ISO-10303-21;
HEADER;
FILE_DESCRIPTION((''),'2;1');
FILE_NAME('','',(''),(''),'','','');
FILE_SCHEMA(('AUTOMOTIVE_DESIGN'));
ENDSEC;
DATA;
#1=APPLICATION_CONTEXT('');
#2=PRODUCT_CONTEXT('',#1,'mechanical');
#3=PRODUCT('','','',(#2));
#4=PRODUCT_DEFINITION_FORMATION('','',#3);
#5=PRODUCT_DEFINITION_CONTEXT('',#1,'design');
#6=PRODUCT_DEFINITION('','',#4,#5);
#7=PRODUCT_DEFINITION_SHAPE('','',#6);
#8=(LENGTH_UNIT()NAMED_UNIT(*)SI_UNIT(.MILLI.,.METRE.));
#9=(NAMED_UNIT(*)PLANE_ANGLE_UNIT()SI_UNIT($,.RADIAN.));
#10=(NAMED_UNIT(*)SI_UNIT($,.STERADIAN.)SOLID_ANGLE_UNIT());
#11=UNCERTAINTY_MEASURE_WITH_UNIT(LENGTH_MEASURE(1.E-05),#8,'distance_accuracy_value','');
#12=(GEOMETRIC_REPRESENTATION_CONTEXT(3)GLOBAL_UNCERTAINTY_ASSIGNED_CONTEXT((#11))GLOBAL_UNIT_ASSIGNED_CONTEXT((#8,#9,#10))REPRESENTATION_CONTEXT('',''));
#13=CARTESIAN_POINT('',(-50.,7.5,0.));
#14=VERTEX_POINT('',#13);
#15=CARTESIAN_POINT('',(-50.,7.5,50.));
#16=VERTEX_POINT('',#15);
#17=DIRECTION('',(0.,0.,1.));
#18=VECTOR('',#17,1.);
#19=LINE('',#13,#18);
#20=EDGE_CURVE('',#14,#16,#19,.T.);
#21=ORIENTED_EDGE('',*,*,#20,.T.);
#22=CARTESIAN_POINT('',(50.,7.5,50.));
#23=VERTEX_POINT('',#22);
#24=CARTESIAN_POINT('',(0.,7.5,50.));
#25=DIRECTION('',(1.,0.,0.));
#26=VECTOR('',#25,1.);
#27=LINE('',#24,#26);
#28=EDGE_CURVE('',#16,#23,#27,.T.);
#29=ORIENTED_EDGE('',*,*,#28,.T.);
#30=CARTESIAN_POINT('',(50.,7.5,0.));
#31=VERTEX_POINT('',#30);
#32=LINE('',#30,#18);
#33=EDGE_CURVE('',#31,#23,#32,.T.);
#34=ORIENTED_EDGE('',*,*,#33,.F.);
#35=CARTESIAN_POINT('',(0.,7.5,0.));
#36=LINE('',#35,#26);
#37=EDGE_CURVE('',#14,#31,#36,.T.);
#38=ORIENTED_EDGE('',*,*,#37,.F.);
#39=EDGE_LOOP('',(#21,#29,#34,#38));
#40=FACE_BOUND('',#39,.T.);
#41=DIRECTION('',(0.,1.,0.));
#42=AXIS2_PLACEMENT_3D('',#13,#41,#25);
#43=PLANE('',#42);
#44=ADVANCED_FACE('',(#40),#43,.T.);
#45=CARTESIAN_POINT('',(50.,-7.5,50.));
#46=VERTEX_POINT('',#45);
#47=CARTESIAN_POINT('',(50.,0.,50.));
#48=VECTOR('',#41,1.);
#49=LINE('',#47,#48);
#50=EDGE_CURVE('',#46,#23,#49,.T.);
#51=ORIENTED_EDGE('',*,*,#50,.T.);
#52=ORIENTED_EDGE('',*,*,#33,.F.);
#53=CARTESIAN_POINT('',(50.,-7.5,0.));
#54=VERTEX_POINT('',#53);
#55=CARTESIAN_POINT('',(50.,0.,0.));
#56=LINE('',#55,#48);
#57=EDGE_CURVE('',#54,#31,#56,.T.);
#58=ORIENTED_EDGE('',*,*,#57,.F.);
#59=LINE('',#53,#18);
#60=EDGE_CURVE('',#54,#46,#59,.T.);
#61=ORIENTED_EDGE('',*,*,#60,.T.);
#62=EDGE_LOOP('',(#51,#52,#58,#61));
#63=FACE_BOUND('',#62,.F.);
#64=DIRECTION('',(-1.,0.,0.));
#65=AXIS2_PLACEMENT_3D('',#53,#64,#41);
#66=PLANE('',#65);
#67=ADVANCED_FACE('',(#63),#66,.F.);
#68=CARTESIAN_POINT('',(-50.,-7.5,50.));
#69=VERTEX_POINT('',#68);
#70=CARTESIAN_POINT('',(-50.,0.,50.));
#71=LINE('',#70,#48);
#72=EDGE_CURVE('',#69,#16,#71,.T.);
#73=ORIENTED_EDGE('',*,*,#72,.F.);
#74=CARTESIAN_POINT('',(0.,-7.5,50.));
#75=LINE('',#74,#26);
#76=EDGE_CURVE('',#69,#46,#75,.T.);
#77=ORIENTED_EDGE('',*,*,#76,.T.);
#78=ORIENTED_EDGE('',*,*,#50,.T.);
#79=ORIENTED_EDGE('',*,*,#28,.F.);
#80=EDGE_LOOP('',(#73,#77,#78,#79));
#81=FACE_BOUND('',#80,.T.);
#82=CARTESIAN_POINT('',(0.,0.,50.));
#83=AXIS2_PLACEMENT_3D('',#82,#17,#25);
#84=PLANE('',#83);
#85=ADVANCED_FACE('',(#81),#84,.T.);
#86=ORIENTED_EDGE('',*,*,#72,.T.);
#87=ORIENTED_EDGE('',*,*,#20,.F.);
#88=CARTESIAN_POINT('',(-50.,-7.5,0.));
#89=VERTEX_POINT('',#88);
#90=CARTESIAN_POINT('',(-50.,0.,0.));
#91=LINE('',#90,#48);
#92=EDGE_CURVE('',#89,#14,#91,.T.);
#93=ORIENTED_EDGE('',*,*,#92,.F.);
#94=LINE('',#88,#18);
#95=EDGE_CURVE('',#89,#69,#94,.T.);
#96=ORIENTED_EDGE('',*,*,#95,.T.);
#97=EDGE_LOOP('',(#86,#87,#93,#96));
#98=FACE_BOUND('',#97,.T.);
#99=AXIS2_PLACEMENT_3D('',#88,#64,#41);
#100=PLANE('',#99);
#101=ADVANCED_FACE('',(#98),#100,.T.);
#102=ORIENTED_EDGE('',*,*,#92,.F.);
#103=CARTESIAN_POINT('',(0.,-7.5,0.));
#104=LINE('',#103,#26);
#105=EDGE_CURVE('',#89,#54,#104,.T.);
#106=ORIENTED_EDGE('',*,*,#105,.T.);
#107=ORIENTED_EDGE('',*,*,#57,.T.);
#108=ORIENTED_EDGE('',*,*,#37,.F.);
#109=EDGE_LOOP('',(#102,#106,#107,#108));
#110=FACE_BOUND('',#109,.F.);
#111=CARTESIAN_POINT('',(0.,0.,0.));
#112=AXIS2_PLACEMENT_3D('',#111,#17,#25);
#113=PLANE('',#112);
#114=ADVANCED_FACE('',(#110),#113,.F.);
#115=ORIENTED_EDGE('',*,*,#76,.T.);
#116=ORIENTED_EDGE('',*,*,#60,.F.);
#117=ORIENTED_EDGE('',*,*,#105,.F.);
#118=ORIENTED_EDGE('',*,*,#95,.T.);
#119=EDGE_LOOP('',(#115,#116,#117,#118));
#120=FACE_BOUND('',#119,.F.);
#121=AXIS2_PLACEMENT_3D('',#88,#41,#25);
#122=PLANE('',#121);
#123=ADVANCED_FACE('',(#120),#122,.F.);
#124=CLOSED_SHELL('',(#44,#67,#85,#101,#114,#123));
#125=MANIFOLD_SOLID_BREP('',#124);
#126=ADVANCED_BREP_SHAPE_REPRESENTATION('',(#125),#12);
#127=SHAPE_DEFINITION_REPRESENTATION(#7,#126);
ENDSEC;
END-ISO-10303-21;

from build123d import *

# Parameters (mm, degrees)
SKETCH_W      = 100
SKETCH_H      = 15
EXTRUDE_DEPTH = 50


with BuildPart() as part:
    # Sketch → Extrude (new body)
    with BuildSketch(Plane.XY):
        Rectangle(SKETCH_W, SKETCH_H)
    extrude(amount=EXTRUDE_DEPTH)


solid = part.part
